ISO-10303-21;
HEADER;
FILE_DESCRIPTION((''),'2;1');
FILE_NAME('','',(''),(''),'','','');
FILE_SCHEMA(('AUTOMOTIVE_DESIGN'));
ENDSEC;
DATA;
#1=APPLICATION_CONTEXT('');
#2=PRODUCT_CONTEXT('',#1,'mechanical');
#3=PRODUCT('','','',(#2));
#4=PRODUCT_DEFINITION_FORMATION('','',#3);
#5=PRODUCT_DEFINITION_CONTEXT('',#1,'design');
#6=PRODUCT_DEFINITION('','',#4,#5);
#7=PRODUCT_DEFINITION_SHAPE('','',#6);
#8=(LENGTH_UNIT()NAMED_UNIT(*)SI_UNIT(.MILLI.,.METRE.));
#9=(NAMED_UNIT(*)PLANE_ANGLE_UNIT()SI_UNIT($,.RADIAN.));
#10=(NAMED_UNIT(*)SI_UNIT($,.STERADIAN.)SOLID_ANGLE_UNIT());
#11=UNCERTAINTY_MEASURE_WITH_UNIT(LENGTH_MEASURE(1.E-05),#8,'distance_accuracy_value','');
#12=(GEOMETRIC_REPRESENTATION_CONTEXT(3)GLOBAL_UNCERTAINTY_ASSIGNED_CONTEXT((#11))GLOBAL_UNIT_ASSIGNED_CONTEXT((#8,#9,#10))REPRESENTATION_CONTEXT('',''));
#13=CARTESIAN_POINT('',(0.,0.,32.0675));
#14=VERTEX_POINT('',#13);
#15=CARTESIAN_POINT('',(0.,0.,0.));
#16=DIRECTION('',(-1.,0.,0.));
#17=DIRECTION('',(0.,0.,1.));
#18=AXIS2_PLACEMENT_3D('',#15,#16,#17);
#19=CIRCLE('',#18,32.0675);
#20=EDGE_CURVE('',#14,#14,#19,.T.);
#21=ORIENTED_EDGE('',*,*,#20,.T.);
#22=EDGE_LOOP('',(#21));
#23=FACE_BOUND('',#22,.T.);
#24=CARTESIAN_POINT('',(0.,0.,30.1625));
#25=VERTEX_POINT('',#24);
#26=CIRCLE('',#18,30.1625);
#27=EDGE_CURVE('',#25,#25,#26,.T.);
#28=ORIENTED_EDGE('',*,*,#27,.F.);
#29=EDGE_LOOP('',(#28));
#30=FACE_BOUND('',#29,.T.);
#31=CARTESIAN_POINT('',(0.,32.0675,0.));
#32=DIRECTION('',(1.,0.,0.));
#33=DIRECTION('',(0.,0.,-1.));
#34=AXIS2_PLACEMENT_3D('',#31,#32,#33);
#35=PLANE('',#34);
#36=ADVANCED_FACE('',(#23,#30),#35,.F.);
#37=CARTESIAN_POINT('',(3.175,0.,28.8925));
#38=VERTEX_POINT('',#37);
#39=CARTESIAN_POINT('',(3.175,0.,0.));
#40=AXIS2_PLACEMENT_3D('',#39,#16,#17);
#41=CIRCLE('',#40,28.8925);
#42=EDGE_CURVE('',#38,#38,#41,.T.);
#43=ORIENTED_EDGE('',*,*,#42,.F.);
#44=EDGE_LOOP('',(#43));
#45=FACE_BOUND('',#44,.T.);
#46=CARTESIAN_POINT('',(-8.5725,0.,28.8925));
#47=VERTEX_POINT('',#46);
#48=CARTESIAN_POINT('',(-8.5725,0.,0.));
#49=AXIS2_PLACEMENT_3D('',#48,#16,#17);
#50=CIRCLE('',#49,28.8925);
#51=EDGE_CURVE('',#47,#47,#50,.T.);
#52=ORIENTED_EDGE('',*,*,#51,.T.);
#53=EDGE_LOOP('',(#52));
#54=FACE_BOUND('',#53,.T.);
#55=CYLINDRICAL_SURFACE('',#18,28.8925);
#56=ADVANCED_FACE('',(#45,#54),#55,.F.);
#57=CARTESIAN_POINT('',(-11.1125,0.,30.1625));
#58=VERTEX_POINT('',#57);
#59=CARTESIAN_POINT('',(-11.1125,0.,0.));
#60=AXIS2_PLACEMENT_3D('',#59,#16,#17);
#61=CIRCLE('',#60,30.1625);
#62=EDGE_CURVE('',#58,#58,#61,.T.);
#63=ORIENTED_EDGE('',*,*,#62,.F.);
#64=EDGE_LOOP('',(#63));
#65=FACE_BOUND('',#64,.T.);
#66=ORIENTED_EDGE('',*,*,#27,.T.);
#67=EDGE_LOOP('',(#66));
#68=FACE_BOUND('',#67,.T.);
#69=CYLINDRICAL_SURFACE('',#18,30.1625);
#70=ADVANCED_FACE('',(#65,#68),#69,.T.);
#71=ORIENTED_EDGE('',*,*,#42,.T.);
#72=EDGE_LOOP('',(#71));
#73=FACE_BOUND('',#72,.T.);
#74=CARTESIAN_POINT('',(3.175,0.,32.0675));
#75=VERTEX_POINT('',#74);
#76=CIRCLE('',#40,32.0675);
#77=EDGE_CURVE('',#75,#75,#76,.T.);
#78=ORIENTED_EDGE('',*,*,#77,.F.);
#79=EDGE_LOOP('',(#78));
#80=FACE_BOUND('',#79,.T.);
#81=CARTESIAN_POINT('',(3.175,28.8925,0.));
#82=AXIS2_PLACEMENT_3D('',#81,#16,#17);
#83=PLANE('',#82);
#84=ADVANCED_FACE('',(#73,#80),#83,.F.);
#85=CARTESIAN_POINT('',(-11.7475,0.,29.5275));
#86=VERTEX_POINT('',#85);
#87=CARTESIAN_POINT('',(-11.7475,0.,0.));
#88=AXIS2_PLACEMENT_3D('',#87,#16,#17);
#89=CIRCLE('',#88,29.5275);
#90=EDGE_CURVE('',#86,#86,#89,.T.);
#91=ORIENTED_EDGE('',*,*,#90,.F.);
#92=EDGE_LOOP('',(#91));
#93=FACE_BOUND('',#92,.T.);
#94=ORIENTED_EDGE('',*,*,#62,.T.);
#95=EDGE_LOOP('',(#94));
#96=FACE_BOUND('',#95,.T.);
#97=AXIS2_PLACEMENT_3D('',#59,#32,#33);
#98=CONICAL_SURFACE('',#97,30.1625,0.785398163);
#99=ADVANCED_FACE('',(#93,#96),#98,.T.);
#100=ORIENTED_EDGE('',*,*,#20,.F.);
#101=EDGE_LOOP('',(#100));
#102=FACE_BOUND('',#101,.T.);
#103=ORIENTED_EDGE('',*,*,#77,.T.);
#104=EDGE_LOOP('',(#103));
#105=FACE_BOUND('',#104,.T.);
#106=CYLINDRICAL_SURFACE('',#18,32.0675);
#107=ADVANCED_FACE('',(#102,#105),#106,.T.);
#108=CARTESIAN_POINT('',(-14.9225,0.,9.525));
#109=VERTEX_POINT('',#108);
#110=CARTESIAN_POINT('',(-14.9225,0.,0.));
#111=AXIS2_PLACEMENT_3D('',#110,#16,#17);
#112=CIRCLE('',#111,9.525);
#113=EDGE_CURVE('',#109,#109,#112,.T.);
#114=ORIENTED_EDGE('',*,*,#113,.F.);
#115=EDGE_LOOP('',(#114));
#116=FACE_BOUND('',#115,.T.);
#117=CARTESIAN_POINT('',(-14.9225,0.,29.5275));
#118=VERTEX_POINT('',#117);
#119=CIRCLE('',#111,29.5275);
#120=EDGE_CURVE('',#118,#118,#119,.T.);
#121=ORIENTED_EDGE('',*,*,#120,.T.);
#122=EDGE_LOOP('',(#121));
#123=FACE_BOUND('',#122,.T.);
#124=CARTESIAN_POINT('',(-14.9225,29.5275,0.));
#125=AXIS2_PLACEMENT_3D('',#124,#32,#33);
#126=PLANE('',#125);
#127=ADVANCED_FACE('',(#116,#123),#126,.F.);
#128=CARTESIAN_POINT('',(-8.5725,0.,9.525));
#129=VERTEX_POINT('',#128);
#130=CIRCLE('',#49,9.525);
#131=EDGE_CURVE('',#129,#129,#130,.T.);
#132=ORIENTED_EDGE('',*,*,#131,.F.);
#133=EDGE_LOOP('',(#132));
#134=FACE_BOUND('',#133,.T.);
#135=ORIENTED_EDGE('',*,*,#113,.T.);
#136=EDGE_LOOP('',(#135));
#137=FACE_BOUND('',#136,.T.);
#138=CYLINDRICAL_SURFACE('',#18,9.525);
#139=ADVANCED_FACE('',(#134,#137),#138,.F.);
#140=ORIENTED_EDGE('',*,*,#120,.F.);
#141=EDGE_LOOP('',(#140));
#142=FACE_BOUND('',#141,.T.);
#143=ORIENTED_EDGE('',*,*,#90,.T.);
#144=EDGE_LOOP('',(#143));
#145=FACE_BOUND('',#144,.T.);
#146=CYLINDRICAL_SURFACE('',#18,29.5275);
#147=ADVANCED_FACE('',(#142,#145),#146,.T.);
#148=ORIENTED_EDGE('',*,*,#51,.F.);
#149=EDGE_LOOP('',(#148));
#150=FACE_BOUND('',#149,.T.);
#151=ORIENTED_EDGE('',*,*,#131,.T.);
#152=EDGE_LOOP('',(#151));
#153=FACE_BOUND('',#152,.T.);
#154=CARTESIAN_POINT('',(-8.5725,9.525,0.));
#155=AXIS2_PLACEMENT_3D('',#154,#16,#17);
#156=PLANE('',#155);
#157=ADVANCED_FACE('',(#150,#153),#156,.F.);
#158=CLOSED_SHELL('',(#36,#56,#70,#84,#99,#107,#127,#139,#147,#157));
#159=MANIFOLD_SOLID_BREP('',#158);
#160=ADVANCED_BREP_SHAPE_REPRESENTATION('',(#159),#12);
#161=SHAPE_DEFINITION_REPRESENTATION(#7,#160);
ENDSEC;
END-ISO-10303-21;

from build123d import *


with BuildPart() as part:
    # Sketch1 → Revolve1 (revolve)
    with BuildSketch(Plane.XY, mode=Mode.PRIVATE) as revolve1_sk:
        Polygon((-14.9225, 9.525), (-8.5725, 9.525), (-8.5725, 28.8925), (3.175, 28.8925), (3.175, 32.0675), (0, 32.0675), (0, 30.1625), (-11.1125, 30.1625), (-11.7475, 29.5275), (-14.9225, 29.5275), align=None)
    revolve(revolve1_sk.sketch.rotate(Axis((0, 0, 0), (1, 0, 0)), 90), axis=Axis((0, 0, 0), (1, 0, 0)))


solid = part.part
